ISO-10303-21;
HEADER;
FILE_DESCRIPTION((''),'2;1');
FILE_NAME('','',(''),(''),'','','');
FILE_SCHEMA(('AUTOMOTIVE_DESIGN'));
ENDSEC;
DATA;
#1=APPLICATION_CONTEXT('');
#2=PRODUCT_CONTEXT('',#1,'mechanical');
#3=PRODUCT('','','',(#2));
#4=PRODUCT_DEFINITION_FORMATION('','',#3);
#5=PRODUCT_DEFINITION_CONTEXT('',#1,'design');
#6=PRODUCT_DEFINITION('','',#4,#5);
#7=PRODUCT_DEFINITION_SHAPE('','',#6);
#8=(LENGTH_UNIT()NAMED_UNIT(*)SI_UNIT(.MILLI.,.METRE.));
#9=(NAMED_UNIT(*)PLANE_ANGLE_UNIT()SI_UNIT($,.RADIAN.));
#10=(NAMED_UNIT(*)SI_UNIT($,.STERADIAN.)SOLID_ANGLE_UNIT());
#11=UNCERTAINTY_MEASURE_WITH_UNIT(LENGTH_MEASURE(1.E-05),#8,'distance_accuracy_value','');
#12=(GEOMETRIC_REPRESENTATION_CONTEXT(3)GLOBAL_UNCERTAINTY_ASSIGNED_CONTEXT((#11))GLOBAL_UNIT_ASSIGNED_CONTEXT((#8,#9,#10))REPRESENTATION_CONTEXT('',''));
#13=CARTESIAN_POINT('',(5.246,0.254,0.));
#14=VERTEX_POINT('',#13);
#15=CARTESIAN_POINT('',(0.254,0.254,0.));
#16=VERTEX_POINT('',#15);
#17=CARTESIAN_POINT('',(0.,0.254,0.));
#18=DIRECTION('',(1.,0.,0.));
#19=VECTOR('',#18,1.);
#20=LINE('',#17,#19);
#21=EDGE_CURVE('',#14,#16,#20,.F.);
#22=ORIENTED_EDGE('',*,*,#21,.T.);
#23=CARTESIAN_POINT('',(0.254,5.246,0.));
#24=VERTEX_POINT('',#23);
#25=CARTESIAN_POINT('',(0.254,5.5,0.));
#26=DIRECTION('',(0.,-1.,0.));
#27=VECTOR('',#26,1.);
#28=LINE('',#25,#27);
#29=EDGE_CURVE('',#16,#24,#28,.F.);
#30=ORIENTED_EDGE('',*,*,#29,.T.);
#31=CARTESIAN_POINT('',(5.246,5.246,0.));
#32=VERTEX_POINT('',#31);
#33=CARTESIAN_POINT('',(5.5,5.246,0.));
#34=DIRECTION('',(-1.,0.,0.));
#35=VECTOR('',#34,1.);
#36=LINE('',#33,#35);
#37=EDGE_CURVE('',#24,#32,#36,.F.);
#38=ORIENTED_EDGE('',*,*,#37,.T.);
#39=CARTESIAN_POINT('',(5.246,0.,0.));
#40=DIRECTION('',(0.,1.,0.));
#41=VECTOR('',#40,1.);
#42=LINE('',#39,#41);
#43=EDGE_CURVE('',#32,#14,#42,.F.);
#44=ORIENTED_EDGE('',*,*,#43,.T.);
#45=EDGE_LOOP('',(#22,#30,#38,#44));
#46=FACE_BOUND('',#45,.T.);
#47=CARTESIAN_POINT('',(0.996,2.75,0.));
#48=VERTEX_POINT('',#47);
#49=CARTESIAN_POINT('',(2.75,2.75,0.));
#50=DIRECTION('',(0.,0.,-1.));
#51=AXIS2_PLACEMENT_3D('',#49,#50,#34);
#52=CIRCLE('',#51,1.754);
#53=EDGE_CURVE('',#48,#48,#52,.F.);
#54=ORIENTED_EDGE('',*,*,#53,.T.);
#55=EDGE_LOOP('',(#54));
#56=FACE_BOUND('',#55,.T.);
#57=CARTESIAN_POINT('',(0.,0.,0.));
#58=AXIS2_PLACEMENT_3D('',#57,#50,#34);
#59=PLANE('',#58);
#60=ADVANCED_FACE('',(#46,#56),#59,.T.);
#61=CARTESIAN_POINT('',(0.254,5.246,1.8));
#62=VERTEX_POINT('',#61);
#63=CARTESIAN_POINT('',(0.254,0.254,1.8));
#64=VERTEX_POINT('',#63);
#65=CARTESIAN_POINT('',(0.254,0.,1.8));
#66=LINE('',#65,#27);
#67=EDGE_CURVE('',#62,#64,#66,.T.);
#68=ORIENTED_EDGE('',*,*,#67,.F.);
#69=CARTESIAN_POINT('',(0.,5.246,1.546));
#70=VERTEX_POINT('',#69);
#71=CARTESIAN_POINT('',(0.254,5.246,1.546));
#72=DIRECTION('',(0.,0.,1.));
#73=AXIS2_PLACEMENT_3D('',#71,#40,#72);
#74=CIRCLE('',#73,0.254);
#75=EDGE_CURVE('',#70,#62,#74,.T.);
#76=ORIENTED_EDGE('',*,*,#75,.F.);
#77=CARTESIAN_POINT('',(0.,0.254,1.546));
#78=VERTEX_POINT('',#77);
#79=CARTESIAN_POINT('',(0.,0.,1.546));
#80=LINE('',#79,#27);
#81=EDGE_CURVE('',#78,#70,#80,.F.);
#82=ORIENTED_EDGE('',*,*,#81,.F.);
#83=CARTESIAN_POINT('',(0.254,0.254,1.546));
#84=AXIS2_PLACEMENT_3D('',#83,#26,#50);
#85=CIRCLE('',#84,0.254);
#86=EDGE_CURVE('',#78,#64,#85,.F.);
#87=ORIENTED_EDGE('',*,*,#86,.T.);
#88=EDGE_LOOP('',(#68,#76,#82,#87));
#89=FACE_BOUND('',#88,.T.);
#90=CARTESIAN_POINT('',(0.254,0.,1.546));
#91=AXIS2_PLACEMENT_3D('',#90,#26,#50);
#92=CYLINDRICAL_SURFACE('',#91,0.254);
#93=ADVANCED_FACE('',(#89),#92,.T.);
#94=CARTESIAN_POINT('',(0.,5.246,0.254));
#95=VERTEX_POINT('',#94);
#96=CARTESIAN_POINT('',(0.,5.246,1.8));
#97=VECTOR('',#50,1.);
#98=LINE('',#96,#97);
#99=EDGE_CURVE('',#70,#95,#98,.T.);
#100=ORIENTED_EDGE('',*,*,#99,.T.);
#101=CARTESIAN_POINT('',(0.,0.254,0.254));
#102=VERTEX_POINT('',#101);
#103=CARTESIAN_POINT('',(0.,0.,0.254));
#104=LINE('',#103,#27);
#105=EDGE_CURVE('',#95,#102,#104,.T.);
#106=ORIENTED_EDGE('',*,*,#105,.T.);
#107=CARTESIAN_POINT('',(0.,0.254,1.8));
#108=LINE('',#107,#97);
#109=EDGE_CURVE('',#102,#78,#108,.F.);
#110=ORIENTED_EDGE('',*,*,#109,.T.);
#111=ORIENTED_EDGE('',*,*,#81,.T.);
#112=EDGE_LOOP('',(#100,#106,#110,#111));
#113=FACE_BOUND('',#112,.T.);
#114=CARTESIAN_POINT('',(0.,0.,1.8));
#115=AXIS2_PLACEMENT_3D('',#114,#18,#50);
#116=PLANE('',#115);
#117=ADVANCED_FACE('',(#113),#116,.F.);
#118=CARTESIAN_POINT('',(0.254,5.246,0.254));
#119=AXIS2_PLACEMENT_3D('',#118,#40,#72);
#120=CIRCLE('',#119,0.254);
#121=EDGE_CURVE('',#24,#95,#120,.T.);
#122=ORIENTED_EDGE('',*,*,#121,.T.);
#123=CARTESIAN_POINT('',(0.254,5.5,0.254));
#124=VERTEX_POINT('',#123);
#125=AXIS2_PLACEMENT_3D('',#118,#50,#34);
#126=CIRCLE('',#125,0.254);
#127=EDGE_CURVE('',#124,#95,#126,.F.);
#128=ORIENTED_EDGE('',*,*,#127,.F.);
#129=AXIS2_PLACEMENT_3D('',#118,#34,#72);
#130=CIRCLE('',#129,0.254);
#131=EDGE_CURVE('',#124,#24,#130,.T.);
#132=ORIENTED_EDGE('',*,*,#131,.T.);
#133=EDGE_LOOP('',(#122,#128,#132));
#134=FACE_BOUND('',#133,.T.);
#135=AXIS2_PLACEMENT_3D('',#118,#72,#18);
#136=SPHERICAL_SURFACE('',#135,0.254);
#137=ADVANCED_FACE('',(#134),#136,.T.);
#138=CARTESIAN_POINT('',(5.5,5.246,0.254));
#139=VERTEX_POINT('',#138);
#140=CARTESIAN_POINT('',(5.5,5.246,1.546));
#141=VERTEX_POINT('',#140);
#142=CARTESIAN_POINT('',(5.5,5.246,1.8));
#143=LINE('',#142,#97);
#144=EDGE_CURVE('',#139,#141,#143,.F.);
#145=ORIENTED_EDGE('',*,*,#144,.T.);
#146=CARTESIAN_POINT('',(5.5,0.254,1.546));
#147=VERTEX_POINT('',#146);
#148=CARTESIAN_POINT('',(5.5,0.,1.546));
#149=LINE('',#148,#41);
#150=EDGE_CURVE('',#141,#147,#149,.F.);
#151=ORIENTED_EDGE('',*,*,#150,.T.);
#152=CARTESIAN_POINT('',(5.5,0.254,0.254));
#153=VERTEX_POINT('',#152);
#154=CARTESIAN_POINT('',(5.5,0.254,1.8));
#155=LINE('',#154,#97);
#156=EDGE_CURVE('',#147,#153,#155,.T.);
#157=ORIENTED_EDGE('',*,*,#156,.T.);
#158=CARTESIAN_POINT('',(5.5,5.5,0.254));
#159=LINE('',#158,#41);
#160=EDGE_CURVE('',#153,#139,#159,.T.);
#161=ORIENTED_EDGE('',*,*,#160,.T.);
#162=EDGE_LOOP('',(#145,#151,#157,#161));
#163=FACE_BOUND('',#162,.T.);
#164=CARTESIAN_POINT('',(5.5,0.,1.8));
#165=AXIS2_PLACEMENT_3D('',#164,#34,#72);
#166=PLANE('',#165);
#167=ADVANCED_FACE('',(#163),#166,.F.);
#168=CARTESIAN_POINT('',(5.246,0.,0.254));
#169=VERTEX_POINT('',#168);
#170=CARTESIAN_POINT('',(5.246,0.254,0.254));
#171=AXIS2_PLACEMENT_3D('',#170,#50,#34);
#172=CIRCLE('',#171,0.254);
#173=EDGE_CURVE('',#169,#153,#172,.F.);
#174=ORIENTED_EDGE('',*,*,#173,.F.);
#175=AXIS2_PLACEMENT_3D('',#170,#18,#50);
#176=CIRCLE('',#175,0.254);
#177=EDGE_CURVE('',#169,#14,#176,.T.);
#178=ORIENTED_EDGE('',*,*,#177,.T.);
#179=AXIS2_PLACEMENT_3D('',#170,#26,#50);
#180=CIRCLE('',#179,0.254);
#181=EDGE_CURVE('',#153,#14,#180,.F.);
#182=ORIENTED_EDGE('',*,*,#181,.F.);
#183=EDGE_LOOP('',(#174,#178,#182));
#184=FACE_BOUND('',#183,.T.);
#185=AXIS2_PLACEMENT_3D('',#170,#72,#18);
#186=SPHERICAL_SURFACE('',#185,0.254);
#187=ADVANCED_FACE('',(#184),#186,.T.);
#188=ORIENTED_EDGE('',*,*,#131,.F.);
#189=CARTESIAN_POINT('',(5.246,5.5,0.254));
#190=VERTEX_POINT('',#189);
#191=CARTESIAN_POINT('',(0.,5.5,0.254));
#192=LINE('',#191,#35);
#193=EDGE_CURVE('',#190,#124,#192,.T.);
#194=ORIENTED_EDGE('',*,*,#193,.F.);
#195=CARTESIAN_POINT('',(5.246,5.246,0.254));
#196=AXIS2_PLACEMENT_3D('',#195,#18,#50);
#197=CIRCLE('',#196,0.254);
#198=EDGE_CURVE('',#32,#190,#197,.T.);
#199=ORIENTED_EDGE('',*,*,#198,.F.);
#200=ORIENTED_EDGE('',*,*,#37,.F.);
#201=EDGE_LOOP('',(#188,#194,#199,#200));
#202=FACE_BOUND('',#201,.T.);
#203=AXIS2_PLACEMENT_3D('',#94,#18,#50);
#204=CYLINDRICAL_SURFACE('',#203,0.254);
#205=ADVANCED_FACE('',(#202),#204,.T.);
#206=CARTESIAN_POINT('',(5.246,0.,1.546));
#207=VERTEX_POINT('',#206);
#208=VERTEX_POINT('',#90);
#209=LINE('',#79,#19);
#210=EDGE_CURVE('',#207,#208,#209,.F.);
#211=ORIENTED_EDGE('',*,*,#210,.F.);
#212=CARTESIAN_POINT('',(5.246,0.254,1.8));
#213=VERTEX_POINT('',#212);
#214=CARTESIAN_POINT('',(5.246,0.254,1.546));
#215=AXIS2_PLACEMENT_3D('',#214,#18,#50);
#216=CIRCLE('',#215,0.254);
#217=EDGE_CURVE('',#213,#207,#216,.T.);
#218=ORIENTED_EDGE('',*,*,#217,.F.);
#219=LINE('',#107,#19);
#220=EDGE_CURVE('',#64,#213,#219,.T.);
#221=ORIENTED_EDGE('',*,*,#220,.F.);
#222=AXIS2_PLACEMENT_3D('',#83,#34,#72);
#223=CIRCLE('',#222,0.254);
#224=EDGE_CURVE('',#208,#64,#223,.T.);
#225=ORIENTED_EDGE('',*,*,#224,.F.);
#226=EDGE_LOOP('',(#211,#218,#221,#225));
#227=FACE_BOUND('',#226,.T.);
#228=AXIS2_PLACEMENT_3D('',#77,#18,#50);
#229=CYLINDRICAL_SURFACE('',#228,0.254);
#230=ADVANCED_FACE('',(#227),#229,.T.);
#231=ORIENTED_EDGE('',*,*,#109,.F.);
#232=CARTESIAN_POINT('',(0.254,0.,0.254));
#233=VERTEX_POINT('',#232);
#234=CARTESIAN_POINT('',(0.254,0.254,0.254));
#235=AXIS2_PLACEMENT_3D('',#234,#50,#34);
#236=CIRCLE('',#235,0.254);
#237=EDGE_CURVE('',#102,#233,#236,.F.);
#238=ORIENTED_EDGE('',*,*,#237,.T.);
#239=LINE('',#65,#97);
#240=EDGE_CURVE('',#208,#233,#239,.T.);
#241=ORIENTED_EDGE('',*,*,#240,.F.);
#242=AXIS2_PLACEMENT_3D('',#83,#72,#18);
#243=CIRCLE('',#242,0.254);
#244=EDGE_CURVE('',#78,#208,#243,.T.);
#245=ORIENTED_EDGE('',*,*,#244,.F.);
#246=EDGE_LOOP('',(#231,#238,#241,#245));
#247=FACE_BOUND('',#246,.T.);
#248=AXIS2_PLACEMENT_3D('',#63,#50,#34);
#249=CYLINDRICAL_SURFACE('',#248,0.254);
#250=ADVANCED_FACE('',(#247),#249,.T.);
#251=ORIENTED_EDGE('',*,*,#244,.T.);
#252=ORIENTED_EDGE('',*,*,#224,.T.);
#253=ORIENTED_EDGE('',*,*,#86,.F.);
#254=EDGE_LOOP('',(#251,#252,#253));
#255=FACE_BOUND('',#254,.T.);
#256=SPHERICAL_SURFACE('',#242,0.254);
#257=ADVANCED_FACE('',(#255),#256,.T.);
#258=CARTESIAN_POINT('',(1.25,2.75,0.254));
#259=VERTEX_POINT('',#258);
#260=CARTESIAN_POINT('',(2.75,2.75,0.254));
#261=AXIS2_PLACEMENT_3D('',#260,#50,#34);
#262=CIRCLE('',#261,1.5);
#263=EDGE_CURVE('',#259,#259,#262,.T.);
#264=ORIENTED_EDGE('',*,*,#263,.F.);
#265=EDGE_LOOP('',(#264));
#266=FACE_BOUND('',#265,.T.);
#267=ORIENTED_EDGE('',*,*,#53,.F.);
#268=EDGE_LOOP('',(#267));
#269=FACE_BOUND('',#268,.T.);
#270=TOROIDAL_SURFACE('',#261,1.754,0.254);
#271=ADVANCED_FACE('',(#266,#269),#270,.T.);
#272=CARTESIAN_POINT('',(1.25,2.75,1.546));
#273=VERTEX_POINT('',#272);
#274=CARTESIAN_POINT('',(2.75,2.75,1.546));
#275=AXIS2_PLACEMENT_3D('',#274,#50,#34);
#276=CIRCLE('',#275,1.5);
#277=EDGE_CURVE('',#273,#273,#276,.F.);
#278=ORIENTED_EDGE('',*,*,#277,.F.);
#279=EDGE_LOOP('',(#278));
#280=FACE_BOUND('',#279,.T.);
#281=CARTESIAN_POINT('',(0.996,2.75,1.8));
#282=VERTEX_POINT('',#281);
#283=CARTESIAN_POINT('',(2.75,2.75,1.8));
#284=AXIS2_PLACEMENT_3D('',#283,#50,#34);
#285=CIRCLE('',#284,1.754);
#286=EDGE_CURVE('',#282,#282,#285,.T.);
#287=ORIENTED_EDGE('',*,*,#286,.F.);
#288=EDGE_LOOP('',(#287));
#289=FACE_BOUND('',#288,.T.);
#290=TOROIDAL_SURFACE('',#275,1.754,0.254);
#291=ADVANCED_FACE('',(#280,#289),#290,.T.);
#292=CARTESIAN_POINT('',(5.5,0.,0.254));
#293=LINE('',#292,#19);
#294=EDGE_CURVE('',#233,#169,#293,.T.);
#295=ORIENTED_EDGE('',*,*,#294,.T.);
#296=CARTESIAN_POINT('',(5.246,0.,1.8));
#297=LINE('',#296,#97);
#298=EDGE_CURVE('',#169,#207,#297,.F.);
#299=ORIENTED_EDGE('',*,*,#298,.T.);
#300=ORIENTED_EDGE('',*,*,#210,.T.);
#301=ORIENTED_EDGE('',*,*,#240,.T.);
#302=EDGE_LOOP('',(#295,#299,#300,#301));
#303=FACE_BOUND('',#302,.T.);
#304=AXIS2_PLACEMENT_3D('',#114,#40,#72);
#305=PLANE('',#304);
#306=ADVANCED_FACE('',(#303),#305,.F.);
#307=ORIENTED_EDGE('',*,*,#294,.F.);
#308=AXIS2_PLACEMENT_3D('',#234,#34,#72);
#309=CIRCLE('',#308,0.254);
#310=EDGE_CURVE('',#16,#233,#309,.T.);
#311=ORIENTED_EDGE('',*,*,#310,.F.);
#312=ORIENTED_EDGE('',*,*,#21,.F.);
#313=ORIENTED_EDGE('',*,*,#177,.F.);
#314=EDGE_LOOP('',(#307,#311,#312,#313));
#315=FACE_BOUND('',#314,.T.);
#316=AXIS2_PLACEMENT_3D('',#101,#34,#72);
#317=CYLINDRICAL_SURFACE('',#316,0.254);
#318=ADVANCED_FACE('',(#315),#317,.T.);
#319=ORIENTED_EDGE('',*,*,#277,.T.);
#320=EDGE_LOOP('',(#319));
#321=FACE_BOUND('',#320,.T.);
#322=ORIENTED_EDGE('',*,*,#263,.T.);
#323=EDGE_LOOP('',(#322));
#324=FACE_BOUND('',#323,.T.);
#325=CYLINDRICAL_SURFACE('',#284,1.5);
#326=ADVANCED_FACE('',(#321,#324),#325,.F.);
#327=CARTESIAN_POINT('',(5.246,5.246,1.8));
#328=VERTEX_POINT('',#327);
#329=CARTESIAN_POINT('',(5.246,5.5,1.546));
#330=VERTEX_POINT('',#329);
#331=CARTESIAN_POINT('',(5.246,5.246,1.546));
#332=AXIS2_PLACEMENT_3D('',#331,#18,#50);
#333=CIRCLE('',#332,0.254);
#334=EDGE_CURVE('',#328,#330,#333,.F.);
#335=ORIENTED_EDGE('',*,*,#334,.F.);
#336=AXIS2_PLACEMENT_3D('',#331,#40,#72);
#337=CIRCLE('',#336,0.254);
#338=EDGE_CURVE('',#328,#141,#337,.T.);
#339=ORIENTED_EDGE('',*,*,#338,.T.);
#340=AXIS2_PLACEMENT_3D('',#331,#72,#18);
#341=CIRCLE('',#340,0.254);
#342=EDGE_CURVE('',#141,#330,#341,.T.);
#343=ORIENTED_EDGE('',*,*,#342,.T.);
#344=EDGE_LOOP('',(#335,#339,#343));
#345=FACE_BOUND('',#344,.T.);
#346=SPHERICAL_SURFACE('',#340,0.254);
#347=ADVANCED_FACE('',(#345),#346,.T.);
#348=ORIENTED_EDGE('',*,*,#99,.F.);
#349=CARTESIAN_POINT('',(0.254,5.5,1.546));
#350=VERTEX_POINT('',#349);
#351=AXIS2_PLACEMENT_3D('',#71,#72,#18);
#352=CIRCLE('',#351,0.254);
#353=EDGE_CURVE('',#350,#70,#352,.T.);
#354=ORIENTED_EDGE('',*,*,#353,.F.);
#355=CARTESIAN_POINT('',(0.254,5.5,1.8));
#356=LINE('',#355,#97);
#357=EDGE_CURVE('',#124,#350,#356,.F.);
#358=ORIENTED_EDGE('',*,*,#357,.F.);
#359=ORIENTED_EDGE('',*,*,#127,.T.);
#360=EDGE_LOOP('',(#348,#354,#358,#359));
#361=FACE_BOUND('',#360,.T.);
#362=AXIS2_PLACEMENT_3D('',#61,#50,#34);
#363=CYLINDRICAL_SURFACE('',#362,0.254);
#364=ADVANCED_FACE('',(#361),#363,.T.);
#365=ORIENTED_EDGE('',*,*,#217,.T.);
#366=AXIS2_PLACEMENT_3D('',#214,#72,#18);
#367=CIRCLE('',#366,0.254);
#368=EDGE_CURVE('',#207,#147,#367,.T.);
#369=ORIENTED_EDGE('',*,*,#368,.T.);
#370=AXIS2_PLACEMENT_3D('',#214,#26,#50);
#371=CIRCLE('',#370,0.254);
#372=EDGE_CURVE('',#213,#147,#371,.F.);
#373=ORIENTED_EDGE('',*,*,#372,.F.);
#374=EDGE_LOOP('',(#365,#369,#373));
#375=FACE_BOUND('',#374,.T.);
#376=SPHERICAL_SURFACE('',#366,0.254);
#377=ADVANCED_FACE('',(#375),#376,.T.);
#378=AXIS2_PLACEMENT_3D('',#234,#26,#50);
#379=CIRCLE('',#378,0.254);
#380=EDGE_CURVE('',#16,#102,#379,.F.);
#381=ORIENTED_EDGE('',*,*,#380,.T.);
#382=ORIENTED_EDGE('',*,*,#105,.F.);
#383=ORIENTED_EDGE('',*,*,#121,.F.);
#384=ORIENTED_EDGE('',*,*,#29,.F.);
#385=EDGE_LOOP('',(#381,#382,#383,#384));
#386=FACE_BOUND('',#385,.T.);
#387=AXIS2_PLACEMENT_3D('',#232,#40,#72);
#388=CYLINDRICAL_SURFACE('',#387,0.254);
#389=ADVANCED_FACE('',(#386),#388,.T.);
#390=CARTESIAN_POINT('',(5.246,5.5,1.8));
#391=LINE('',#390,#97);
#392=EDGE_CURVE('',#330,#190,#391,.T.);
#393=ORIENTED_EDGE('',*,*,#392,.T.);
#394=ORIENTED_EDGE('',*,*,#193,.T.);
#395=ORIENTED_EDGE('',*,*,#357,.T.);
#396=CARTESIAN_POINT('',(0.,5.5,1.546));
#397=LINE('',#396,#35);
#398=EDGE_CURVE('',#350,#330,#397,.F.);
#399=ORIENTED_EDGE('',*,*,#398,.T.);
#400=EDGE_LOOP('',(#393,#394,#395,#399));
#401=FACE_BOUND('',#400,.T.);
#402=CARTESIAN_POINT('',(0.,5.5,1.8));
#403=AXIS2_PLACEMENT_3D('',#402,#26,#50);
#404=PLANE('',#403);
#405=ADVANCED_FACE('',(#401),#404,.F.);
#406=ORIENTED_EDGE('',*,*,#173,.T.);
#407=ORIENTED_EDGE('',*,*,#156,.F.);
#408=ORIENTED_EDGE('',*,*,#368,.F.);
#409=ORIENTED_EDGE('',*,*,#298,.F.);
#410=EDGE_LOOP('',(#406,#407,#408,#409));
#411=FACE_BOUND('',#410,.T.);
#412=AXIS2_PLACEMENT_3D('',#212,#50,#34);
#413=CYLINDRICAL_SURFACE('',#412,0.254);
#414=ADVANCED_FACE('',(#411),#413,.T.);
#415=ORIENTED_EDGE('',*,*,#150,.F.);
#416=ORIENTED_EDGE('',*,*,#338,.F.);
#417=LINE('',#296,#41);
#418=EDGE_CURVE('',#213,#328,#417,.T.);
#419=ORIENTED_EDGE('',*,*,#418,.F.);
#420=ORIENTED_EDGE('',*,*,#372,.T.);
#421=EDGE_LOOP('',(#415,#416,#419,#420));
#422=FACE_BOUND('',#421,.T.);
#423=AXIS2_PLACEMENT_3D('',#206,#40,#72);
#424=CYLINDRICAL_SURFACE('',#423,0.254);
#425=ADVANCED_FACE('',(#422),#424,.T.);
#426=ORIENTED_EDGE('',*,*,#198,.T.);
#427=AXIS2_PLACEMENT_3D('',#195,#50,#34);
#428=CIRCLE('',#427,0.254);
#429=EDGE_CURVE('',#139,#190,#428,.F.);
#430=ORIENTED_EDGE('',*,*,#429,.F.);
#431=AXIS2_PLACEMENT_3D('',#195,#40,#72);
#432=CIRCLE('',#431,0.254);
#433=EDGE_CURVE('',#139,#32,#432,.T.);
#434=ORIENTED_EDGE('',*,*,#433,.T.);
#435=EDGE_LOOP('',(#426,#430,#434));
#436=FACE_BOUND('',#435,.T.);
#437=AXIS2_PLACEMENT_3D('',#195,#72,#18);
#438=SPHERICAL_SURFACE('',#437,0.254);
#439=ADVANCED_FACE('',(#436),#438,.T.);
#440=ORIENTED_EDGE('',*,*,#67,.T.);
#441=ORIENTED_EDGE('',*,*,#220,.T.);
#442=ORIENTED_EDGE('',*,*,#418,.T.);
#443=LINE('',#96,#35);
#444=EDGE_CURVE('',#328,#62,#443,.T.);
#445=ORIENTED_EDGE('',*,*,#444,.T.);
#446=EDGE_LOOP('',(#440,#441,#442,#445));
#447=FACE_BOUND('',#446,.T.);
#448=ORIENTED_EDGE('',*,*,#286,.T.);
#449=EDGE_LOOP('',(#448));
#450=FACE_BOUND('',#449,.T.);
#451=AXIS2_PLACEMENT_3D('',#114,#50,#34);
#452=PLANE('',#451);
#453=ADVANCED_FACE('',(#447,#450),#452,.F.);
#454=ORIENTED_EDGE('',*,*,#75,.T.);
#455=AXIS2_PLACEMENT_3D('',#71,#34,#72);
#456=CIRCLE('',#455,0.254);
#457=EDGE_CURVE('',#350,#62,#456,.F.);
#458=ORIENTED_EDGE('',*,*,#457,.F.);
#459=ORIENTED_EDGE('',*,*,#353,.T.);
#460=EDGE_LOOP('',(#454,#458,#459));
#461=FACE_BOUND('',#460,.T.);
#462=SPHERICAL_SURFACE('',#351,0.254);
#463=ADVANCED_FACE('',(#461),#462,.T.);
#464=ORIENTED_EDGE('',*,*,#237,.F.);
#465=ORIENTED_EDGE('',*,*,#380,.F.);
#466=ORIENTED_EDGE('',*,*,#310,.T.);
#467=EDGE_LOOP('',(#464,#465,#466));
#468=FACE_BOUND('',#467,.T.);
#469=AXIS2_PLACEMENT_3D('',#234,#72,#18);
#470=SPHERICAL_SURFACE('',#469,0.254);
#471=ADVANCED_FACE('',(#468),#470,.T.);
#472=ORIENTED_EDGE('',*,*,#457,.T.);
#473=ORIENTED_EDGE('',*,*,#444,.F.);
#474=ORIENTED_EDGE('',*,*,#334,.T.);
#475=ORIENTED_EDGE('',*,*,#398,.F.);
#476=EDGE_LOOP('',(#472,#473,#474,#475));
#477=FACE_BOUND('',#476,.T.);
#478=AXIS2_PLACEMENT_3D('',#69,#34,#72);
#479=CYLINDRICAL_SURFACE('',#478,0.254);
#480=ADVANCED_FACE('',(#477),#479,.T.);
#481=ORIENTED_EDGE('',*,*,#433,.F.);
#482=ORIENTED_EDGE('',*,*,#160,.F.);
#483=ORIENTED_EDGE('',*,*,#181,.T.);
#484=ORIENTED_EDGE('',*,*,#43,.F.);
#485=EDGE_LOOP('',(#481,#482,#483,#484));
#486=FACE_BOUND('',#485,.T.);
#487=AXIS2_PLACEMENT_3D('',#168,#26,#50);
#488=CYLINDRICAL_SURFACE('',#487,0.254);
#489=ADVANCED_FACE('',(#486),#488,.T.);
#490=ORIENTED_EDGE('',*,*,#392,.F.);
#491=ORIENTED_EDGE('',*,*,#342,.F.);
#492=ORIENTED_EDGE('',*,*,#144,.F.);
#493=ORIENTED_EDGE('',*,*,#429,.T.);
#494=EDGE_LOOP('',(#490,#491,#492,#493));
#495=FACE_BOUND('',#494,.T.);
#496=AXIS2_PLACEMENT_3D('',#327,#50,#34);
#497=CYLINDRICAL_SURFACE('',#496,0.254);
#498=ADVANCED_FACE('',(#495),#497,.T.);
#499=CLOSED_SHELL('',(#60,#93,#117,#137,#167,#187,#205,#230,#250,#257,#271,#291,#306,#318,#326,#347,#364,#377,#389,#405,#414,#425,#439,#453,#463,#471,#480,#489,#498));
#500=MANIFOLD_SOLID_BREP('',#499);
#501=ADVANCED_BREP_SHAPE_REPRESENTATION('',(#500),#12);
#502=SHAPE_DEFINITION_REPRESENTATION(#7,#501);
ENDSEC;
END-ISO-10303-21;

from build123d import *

# Parameters (mm, degrees)
SKETCH1_W           = 5.5
SKETCH1_H           = 5.5
SKETCH1_R           = 1.5
BOSS_EXTRUDE1_DEPTH = 1.8
FILLET1_R           = 0.254


with BuildPart() as part:
    # Sketch1 → Boss-Extrude1 (new body)
    with BuildSketch(Plane.XY):
        with Locations((2.75, 2.75)):
            Rectangle(SKETCH1_W, SKETCH1_H)
        with Locations((2.75, 2.75)):
            Circle(SKETCH1_R, mode=Mode.SUBTRACT)
    extrude(amount=BOSS_EXTRUDE1_DEPTH)

    # Fillet1
    fillet1_edges = [part.edges().sort_by_distance(p)[0] for p in [
        (5.5, 2.75, 1.8),
        (1.25, 2.75, 0),
        (1.25, 2.75, 1.8),
        (2.75, 5.5, 1.8),
        (0, 2.75, 1.8),
        (2.75, 5.5, 0),
        (5.5, 2.75, 0),
        (2.75, 0, 0),
        (0, 2.75, 0),
        (2.75, 0, 1.8),
        (0, 5.5, 0.9),
        (5.5, 5.5, 0.9),
        (5.5, 0, 0.9),
        (0, 0, 0.9),
    ]]
    fillet(fillet1_edges, radius=FILLET1_R)


solid = part.part
